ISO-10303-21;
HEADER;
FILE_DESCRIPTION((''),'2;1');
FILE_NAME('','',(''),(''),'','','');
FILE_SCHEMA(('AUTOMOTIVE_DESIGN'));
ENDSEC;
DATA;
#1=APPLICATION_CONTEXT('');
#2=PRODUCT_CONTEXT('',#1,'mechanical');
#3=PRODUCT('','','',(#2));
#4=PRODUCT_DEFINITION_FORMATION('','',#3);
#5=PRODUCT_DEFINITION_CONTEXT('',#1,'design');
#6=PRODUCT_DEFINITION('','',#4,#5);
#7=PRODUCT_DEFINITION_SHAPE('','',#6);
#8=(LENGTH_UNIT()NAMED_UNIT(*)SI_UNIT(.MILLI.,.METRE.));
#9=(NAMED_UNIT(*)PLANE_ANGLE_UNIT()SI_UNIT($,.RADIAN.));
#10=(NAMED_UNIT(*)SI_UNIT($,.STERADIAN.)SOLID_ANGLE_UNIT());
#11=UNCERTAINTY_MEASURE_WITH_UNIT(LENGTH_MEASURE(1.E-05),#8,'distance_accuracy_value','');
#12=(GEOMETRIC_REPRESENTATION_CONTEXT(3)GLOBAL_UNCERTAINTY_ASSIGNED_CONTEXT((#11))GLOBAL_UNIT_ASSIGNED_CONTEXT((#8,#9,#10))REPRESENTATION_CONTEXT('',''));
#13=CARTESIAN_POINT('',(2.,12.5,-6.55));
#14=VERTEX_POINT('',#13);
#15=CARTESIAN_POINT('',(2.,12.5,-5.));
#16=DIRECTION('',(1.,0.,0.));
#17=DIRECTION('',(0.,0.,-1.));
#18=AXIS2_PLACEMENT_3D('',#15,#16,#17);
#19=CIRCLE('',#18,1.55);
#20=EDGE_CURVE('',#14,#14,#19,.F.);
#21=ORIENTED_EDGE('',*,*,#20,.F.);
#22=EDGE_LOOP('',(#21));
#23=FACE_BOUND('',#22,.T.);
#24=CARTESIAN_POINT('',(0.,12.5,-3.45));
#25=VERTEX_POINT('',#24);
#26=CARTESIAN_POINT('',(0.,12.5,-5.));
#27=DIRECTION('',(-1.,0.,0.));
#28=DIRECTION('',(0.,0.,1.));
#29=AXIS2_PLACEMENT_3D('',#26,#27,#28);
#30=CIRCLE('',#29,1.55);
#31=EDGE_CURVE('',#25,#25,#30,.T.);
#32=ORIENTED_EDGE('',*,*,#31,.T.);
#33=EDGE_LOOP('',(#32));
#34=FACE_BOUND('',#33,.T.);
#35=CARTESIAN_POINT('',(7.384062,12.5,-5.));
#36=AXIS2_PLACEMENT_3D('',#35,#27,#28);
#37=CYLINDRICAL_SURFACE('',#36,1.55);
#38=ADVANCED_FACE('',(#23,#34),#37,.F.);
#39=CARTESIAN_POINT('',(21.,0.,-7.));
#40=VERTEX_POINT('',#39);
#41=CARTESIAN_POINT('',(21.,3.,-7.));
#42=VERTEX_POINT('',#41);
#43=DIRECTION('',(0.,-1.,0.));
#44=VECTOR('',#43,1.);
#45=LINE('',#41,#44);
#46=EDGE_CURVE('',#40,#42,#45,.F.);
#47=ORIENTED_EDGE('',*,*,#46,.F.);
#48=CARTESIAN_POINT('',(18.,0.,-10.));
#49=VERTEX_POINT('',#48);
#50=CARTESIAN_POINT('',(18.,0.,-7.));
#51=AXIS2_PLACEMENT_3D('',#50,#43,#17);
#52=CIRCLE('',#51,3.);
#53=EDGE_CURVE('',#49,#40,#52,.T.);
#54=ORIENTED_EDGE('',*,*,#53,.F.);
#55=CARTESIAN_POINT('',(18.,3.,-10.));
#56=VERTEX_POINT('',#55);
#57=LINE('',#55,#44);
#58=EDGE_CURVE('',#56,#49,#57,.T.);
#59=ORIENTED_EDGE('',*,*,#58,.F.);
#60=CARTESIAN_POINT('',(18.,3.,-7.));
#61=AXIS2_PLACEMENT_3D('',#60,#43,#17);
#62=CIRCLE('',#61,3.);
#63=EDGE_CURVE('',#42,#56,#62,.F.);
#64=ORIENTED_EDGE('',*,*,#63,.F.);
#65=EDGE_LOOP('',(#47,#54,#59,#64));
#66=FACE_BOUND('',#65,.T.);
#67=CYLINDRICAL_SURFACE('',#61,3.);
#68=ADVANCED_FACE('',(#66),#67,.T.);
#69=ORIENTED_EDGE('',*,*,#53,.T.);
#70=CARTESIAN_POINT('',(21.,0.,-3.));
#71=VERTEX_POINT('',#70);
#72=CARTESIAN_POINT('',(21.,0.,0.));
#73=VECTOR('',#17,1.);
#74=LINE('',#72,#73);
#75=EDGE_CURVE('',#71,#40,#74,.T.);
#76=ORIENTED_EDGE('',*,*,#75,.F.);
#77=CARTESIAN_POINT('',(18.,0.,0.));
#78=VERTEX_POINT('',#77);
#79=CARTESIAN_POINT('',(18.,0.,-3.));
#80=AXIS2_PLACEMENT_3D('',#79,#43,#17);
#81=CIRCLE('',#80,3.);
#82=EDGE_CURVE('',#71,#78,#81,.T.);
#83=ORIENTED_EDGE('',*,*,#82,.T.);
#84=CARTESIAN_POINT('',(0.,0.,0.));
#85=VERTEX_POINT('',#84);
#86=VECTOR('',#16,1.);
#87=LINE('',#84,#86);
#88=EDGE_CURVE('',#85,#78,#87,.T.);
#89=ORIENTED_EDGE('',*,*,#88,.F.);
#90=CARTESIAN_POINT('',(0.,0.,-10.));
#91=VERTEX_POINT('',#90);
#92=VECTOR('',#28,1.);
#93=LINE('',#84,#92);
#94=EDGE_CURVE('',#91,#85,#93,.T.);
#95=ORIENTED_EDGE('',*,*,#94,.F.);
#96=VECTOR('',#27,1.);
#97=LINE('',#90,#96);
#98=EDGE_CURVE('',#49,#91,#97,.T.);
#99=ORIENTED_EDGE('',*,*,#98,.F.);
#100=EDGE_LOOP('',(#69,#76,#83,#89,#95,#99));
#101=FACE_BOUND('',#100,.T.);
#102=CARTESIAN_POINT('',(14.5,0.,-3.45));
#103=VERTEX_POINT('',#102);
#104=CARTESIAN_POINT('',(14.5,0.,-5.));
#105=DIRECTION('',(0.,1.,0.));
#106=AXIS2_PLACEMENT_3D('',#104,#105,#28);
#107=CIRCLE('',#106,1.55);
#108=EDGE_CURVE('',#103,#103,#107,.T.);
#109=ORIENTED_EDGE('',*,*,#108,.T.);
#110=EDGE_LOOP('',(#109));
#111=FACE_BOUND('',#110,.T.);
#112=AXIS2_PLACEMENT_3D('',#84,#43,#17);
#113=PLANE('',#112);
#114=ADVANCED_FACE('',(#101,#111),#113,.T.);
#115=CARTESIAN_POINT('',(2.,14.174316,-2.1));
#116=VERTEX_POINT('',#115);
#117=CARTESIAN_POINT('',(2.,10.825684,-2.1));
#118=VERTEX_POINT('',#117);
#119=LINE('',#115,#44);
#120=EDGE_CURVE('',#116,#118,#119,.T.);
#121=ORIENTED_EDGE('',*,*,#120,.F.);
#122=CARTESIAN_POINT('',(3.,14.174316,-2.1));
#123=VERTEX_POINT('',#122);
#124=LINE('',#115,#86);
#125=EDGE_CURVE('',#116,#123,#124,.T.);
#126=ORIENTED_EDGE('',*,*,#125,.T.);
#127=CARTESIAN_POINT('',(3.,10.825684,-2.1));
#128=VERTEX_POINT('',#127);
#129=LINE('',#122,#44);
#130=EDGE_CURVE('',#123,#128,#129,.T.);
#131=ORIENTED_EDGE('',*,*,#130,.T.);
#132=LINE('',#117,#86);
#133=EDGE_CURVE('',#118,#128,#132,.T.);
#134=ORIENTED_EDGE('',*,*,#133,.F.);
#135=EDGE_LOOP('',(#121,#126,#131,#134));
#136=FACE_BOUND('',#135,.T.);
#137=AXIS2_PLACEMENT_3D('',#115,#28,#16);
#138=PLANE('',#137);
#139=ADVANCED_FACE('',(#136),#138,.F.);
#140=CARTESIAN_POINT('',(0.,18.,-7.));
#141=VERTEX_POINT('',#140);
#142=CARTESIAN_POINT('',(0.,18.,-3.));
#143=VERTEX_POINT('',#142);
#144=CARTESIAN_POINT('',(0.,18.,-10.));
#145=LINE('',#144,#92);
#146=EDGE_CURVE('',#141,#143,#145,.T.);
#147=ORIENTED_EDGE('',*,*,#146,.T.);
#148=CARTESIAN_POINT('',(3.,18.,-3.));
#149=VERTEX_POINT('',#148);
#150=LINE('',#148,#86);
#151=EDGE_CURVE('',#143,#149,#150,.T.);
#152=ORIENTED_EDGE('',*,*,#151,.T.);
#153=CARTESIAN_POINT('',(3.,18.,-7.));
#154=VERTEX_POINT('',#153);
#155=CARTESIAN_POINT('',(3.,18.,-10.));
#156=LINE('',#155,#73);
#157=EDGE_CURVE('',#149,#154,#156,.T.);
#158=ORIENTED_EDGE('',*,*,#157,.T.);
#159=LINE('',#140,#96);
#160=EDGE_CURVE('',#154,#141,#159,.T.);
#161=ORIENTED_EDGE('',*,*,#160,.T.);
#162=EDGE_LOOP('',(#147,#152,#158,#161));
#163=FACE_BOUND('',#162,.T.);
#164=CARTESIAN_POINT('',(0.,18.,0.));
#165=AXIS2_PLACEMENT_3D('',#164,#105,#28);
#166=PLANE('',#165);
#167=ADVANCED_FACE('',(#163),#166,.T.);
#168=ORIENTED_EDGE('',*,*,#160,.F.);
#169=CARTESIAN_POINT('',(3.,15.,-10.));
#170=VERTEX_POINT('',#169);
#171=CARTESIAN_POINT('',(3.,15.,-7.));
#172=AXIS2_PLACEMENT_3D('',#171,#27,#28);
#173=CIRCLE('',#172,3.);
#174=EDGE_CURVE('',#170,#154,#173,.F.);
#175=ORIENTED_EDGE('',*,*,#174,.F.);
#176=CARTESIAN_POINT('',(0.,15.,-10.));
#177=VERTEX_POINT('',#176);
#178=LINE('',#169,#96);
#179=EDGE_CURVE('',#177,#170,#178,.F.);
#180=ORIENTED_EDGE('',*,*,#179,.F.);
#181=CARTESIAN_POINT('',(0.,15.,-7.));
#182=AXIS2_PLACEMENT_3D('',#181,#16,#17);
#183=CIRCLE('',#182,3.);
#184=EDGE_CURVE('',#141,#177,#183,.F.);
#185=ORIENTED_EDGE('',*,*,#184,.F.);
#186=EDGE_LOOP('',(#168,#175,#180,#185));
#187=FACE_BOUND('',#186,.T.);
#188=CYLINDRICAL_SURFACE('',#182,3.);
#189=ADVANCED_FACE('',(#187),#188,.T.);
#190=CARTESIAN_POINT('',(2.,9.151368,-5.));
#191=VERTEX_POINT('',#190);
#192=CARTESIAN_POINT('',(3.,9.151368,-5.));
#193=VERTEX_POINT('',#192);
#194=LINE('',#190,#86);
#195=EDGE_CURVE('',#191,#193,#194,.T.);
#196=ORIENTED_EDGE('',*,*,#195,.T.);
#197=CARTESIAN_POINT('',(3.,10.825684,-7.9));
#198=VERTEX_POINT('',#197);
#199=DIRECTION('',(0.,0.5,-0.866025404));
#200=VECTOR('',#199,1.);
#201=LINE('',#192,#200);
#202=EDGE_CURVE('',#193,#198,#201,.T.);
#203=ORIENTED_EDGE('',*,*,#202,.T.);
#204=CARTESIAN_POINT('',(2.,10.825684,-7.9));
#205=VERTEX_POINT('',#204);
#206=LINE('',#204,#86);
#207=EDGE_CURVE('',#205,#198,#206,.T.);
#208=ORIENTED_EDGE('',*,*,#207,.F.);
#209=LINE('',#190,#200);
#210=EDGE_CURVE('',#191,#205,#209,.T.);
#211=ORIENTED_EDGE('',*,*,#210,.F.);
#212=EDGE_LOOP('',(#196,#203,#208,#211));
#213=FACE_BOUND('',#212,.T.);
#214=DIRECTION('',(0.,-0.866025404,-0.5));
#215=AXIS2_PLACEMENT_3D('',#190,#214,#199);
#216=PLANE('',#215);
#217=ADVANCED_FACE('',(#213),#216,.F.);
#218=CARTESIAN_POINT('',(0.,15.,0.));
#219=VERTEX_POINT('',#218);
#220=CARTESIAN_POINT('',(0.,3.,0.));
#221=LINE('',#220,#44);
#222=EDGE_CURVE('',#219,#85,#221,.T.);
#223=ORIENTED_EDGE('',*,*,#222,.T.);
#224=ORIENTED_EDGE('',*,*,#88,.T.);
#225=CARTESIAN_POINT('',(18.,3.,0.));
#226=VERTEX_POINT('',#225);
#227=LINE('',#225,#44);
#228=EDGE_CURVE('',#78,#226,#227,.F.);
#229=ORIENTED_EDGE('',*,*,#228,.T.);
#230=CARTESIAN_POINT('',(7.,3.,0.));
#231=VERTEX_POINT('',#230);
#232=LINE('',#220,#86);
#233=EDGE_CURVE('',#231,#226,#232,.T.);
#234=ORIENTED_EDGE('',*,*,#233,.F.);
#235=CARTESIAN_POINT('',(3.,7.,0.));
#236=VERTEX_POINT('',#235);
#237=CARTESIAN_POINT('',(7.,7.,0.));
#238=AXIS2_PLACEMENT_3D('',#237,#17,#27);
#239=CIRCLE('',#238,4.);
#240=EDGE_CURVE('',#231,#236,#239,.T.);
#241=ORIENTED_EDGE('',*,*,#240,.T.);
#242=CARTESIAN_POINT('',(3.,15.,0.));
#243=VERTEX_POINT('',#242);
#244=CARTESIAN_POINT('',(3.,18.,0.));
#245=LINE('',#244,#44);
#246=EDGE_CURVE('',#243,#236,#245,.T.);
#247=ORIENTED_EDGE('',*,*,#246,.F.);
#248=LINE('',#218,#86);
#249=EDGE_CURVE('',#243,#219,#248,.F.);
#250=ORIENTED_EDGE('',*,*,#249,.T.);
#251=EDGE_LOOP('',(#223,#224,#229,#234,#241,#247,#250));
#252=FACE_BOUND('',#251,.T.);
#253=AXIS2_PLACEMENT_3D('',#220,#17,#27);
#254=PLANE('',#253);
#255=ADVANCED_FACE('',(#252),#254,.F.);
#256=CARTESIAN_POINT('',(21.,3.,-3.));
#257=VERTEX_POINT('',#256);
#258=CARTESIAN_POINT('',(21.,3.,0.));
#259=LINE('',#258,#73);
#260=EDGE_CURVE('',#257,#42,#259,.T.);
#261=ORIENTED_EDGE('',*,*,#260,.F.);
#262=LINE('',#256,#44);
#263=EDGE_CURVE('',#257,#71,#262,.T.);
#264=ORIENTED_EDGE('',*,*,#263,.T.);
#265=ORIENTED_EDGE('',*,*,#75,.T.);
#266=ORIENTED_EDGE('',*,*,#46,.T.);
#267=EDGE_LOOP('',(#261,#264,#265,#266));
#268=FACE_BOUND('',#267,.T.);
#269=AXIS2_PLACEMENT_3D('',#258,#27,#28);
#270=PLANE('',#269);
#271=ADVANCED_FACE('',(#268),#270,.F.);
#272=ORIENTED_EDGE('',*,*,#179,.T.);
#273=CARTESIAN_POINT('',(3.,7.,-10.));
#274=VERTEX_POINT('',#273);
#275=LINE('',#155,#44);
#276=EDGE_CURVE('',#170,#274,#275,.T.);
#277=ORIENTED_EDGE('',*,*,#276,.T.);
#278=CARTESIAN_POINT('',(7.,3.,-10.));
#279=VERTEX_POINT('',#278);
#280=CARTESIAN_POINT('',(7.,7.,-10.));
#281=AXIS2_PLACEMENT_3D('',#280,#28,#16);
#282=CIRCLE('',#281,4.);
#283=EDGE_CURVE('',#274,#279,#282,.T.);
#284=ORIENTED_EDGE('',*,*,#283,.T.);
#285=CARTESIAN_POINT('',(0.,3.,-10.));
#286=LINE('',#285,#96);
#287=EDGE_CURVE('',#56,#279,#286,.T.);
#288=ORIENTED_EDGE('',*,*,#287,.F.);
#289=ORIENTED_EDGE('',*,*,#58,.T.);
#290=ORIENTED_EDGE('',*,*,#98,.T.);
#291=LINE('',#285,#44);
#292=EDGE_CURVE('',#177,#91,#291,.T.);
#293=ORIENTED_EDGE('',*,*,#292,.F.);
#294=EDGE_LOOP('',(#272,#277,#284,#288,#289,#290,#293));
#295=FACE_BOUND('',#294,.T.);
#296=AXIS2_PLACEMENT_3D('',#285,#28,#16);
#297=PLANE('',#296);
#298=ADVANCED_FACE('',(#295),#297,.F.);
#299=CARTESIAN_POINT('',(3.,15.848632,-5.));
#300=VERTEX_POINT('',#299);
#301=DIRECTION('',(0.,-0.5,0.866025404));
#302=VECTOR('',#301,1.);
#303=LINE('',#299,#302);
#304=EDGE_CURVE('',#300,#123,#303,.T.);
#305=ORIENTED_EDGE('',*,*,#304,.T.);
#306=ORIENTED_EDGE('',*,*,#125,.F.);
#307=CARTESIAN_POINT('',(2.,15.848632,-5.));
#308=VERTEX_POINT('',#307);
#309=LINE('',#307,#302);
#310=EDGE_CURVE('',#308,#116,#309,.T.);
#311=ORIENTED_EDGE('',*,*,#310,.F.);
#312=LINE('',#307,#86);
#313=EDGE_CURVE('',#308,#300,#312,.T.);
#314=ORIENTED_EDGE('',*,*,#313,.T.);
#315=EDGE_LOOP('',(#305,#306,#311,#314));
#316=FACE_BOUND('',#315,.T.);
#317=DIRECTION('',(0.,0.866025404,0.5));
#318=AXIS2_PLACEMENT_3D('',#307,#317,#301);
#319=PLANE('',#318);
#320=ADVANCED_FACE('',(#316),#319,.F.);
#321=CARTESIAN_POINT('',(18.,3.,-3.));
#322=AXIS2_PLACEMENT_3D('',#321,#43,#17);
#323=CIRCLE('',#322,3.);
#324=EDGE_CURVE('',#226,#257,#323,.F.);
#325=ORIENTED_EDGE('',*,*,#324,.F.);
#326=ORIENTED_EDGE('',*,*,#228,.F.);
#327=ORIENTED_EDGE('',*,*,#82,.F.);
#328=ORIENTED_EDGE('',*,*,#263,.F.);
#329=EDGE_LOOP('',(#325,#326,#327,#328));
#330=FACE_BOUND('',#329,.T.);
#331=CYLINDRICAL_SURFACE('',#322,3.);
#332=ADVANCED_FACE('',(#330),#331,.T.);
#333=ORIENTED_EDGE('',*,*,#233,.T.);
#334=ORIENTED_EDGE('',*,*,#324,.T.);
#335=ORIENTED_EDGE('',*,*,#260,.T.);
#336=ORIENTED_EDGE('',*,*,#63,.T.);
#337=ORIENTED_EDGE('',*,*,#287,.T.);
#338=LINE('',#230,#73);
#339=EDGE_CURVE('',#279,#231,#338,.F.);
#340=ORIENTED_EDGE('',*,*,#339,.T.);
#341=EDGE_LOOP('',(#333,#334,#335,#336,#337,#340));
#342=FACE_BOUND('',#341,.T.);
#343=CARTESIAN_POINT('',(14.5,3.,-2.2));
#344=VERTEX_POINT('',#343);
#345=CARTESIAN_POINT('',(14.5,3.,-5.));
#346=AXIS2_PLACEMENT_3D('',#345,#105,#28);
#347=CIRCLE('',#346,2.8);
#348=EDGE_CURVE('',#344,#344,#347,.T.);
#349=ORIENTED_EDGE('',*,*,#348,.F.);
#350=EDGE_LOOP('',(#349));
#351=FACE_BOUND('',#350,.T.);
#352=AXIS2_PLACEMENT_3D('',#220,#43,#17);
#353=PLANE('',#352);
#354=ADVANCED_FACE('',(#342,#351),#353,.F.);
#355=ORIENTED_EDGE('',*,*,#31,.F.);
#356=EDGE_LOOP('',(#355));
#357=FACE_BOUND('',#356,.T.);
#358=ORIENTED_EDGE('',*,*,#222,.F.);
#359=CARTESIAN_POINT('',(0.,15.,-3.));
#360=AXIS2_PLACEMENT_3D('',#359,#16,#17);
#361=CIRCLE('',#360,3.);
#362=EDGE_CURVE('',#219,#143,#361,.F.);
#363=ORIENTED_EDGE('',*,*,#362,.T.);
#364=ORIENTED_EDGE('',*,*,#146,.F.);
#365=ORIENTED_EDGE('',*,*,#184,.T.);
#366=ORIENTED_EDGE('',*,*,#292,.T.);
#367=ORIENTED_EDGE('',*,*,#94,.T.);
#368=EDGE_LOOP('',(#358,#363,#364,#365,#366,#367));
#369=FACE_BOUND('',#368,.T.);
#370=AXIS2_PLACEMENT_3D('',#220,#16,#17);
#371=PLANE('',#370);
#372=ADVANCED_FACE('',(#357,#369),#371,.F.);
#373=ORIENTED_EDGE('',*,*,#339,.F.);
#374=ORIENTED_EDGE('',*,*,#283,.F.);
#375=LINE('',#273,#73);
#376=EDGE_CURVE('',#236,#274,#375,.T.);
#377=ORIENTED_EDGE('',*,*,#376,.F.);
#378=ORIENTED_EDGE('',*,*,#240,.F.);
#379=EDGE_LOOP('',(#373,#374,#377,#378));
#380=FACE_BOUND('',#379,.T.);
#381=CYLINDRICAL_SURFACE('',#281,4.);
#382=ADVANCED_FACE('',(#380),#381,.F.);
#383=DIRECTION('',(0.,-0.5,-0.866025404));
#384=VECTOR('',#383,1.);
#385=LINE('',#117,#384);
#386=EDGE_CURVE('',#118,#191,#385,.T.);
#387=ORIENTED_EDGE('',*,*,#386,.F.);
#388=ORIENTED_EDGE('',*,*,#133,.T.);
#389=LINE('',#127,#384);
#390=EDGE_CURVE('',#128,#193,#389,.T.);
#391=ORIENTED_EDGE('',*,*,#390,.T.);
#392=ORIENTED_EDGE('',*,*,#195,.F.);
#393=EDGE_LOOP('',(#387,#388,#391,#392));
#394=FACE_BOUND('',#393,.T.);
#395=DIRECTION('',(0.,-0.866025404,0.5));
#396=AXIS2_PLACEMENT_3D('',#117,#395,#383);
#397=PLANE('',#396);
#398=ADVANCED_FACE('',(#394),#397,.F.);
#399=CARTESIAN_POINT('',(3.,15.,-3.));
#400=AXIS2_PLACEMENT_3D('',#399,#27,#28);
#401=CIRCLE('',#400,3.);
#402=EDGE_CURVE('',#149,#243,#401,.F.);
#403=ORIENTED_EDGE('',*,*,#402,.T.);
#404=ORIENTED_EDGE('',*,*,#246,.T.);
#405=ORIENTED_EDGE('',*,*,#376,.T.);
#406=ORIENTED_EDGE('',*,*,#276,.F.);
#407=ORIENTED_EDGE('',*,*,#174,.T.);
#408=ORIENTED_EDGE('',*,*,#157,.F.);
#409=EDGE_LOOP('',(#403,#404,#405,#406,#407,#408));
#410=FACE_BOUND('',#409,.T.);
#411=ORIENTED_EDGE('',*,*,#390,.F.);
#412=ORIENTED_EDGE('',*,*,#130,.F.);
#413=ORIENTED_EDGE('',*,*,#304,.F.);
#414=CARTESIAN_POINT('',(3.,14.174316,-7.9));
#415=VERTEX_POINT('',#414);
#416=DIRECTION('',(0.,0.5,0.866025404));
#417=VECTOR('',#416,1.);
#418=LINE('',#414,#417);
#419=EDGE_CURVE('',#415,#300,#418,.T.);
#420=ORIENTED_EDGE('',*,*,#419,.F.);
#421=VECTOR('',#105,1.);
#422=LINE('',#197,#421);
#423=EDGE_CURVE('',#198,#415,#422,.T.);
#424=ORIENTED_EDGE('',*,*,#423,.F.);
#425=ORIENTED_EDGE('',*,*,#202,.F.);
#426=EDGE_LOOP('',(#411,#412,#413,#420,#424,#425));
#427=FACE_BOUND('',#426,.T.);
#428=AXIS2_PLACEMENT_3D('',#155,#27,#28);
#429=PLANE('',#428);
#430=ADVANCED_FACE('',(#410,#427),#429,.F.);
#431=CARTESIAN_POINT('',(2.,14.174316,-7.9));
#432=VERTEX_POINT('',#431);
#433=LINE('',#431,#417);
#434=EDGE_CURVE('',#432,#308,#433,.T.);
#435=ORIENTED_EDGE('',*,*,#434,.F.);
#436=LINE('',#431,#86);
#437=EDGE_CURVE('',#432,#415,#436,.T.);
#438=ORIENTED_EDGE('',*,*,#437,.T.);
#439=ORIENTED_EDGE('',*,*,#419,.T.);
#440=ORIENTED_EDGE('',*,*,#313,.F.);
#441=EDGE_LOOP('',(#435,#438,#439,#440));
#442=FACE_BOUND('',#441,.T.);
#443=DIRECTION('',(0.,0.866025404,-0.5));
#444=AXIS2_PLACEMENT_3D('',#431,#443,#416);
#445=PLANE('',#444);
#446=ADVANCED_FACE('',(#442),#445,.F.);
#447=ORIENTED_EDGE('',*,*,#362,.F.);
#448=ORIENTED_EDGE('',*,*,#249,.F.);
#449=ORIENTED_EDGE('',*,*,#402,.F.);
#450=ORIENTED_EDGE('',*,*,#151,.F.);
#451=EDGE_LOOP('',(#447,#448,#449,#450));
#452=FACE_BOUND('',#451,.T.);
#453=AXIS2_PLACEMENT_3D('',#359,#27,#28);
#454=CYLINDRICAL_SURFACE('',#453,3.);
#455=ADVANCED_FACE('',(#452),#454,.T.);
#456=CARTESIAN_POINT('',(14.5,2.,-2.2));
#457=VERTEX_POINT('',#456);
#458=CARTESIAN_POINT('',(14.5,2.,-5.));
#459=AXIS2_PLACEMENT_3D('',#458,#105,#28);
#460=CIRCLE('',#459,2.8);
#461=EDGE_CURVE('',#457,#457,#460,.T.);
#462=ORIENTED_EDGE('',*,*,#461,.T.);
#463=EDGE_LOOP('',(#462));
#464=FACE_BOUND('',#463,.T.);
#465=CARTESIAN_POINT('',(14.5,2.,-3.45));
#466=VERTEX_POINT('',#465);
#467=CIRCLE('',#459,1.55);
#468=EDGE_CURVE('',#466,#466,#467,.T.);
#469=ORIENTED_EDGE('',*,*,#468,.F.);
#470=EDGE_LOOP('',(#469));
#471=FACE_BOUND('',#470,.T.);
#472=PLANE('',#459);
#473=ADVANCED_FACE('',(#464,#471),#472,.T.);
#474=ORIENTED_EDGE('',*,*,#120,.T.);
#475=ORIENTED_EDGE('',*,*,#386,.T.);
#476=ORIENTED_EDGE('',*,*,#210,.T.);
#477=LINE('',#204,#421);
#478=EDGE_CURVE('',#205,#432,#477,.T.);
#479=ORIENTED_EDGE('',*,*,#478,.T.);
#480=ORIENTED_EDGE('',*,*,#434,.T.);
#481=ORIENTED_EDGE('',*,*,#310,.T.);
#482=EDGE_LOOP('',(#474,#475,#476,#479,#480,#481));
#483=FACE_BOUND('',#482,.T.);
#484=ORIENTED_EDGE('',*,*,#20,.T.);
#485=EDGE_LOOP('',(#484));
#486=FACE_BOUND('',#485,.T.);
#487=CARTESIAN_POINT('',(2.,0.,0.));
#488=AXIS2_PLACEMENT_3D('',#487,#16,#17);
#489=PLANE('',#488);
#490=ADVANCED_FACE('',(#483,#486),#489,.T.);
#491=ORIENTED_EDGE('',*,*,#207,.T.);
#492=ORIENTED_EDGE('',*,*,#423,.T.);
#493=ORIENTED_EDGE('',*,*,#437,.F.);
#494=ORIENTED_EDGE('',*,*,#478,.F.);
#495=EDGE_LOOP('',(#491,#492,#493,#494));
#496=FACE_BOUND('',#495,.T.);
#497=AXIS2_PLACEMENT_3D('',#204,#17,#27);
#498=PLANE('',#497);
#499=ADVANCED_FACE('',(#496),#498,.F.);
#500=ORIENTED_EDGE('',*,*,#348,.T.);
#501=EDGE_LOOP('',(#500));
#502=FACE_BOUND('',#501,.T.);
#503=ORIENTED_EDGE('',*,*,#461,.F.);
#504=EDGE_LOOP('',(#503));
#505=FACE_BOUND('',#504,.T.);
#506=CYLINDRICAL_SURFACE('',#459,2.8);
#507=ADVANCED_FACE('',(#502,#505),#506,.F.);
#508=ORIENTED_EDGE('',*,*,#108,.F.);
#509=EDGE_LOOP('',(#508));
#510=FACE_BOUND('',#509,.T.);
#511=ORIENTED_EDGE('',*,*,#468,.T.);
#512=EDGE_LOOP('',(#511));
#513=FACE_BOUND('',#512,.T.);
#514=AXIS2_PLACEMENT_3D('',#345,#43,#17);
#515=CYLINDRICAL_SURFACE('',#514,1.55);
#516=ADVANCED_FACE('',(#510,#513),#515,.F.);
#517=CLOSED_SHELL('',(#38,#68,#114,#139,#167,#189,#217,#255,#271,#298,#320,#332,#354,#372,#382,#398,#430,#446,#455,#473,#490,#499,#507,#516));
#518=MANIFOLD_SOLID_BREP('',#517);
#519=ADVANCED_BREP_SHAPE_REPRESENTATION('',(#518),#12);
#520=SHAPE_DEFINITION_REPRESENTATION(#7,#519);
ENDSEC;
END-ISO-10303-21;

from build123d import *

# Parameters (mm, degrees)
CROQUIS1_W              = 21
CROQUIS1_H              = 10
CROQUIS1_R              = 1.55
SALIENTE_EXTRUIR1_DEPTH = 3
CROQUIS2_W              = 3
CROQUIS2_H              = 10
SALIENTE_EXTRUIR2_DEPTH = 15
CROQUIS3_R              = 1.55
CORTAR_EXTRUIR1_DEPTH   = 3
CROQUIS4_R              = 2.8
CORTAR_EXTRUIR2_DEPTH   = 1
CORTAR_EXTRUIR3_DEPTH   = 1
REDONDEO1_R             = 3
REDONDEO2_R             = 4


with BuildPart() as part:
    # Croquis1 → Saliente-Extruir1 (new body)
    with BuildSketch(Plane(origin=(0, 0, 0), x_dir=(1, 0, 0), z_dir=(0, 1, 0))):
        with Locations((10.5, 5)):
            Rectangle(CROQUIS1_W, CROQUIS1_H)
        with Locations(Location((14.5, 5, 0), (0, 0, 270))):
            Circle(CROQUIS1_R, mode=Mode.SUBTRACT)
    extrude(amount=SALIENTE_EXTRUIR1_DEPTH)

    # Croquis2 → Saliente-Extruir2 (add)
    with BuildSketch(Plane(origin=(0, 3, 0), x_dir=(1, 0, 0), z_dir=(0, 1, 0))):
        with Locations((1.5, 5)):
            Rectangle(CROQUIS2_W, CROQUIS2_H)
    extrude(amount=SALIENTE_EXTRUIR2_DEPTH)

    # Croquis3 → Cortar-Extruir1 (cut)
    with BuildSketch(Plane.ZY):
        with Locations((-5, 12.5)):
            Circle(CROQUIS3_R)
    extrude(amount=-CORTAR_EXTRUIR1_DEPTH, mode=Mode.SUBTRACT)

    # Croquis4 → Cortar-Extruir2 (cut)
    with BuildSketch(Plane(origin=(0, 3, 0), x_dir=(1, 0, 0), z_dir=(0, 1, 0))):
        with Locations(Location((14.5, 5, 0), (0, 0, 270))):
            Circle(CROQUIS4_R)
    extrude(amount=-CORTAR_EXTRUIR2_DEPTH, mode=Mode.SUBTRACT)

    # Croquis5 → Cortar-Extruir3 (cut)
    with BuildSketch(Plane(origin=(3, 0, 0), x_dir=(0, 0, -1), z_dir=(1, 0, 0))):
        Polygon((7.9, 14.174315781), (5, 15.848631561), (2.1, 14.174315781), (2.1, 10.825684219), (5, 9.151368439), (7.9, 10.825684219), align=None)
    extrude(amount=-CORTAR_EXTRUIR3_DEPTH, mode=Mode.SUBTRACT)

    # Redondeo1
    redondeo1_edges = [part.edges().sort_by_distance(p)[0] for p in [
        (1.5, 18, 0),
        (1.5, 18, -10),
        (21, 1.5, -10),
        (21, 1.5, 0),
    ]]
    fillet(redondeo1_edges, radius=REDONDEO1_R)

    # Redondeo2
    redondeo2_edges = [part.edges().sort_by_distance(p)[0] for p in [
        (3, 3, -5),
    ]]
    fillet(redondeo2_edges, radius=REDONDEO2_R)


solid = part.part
